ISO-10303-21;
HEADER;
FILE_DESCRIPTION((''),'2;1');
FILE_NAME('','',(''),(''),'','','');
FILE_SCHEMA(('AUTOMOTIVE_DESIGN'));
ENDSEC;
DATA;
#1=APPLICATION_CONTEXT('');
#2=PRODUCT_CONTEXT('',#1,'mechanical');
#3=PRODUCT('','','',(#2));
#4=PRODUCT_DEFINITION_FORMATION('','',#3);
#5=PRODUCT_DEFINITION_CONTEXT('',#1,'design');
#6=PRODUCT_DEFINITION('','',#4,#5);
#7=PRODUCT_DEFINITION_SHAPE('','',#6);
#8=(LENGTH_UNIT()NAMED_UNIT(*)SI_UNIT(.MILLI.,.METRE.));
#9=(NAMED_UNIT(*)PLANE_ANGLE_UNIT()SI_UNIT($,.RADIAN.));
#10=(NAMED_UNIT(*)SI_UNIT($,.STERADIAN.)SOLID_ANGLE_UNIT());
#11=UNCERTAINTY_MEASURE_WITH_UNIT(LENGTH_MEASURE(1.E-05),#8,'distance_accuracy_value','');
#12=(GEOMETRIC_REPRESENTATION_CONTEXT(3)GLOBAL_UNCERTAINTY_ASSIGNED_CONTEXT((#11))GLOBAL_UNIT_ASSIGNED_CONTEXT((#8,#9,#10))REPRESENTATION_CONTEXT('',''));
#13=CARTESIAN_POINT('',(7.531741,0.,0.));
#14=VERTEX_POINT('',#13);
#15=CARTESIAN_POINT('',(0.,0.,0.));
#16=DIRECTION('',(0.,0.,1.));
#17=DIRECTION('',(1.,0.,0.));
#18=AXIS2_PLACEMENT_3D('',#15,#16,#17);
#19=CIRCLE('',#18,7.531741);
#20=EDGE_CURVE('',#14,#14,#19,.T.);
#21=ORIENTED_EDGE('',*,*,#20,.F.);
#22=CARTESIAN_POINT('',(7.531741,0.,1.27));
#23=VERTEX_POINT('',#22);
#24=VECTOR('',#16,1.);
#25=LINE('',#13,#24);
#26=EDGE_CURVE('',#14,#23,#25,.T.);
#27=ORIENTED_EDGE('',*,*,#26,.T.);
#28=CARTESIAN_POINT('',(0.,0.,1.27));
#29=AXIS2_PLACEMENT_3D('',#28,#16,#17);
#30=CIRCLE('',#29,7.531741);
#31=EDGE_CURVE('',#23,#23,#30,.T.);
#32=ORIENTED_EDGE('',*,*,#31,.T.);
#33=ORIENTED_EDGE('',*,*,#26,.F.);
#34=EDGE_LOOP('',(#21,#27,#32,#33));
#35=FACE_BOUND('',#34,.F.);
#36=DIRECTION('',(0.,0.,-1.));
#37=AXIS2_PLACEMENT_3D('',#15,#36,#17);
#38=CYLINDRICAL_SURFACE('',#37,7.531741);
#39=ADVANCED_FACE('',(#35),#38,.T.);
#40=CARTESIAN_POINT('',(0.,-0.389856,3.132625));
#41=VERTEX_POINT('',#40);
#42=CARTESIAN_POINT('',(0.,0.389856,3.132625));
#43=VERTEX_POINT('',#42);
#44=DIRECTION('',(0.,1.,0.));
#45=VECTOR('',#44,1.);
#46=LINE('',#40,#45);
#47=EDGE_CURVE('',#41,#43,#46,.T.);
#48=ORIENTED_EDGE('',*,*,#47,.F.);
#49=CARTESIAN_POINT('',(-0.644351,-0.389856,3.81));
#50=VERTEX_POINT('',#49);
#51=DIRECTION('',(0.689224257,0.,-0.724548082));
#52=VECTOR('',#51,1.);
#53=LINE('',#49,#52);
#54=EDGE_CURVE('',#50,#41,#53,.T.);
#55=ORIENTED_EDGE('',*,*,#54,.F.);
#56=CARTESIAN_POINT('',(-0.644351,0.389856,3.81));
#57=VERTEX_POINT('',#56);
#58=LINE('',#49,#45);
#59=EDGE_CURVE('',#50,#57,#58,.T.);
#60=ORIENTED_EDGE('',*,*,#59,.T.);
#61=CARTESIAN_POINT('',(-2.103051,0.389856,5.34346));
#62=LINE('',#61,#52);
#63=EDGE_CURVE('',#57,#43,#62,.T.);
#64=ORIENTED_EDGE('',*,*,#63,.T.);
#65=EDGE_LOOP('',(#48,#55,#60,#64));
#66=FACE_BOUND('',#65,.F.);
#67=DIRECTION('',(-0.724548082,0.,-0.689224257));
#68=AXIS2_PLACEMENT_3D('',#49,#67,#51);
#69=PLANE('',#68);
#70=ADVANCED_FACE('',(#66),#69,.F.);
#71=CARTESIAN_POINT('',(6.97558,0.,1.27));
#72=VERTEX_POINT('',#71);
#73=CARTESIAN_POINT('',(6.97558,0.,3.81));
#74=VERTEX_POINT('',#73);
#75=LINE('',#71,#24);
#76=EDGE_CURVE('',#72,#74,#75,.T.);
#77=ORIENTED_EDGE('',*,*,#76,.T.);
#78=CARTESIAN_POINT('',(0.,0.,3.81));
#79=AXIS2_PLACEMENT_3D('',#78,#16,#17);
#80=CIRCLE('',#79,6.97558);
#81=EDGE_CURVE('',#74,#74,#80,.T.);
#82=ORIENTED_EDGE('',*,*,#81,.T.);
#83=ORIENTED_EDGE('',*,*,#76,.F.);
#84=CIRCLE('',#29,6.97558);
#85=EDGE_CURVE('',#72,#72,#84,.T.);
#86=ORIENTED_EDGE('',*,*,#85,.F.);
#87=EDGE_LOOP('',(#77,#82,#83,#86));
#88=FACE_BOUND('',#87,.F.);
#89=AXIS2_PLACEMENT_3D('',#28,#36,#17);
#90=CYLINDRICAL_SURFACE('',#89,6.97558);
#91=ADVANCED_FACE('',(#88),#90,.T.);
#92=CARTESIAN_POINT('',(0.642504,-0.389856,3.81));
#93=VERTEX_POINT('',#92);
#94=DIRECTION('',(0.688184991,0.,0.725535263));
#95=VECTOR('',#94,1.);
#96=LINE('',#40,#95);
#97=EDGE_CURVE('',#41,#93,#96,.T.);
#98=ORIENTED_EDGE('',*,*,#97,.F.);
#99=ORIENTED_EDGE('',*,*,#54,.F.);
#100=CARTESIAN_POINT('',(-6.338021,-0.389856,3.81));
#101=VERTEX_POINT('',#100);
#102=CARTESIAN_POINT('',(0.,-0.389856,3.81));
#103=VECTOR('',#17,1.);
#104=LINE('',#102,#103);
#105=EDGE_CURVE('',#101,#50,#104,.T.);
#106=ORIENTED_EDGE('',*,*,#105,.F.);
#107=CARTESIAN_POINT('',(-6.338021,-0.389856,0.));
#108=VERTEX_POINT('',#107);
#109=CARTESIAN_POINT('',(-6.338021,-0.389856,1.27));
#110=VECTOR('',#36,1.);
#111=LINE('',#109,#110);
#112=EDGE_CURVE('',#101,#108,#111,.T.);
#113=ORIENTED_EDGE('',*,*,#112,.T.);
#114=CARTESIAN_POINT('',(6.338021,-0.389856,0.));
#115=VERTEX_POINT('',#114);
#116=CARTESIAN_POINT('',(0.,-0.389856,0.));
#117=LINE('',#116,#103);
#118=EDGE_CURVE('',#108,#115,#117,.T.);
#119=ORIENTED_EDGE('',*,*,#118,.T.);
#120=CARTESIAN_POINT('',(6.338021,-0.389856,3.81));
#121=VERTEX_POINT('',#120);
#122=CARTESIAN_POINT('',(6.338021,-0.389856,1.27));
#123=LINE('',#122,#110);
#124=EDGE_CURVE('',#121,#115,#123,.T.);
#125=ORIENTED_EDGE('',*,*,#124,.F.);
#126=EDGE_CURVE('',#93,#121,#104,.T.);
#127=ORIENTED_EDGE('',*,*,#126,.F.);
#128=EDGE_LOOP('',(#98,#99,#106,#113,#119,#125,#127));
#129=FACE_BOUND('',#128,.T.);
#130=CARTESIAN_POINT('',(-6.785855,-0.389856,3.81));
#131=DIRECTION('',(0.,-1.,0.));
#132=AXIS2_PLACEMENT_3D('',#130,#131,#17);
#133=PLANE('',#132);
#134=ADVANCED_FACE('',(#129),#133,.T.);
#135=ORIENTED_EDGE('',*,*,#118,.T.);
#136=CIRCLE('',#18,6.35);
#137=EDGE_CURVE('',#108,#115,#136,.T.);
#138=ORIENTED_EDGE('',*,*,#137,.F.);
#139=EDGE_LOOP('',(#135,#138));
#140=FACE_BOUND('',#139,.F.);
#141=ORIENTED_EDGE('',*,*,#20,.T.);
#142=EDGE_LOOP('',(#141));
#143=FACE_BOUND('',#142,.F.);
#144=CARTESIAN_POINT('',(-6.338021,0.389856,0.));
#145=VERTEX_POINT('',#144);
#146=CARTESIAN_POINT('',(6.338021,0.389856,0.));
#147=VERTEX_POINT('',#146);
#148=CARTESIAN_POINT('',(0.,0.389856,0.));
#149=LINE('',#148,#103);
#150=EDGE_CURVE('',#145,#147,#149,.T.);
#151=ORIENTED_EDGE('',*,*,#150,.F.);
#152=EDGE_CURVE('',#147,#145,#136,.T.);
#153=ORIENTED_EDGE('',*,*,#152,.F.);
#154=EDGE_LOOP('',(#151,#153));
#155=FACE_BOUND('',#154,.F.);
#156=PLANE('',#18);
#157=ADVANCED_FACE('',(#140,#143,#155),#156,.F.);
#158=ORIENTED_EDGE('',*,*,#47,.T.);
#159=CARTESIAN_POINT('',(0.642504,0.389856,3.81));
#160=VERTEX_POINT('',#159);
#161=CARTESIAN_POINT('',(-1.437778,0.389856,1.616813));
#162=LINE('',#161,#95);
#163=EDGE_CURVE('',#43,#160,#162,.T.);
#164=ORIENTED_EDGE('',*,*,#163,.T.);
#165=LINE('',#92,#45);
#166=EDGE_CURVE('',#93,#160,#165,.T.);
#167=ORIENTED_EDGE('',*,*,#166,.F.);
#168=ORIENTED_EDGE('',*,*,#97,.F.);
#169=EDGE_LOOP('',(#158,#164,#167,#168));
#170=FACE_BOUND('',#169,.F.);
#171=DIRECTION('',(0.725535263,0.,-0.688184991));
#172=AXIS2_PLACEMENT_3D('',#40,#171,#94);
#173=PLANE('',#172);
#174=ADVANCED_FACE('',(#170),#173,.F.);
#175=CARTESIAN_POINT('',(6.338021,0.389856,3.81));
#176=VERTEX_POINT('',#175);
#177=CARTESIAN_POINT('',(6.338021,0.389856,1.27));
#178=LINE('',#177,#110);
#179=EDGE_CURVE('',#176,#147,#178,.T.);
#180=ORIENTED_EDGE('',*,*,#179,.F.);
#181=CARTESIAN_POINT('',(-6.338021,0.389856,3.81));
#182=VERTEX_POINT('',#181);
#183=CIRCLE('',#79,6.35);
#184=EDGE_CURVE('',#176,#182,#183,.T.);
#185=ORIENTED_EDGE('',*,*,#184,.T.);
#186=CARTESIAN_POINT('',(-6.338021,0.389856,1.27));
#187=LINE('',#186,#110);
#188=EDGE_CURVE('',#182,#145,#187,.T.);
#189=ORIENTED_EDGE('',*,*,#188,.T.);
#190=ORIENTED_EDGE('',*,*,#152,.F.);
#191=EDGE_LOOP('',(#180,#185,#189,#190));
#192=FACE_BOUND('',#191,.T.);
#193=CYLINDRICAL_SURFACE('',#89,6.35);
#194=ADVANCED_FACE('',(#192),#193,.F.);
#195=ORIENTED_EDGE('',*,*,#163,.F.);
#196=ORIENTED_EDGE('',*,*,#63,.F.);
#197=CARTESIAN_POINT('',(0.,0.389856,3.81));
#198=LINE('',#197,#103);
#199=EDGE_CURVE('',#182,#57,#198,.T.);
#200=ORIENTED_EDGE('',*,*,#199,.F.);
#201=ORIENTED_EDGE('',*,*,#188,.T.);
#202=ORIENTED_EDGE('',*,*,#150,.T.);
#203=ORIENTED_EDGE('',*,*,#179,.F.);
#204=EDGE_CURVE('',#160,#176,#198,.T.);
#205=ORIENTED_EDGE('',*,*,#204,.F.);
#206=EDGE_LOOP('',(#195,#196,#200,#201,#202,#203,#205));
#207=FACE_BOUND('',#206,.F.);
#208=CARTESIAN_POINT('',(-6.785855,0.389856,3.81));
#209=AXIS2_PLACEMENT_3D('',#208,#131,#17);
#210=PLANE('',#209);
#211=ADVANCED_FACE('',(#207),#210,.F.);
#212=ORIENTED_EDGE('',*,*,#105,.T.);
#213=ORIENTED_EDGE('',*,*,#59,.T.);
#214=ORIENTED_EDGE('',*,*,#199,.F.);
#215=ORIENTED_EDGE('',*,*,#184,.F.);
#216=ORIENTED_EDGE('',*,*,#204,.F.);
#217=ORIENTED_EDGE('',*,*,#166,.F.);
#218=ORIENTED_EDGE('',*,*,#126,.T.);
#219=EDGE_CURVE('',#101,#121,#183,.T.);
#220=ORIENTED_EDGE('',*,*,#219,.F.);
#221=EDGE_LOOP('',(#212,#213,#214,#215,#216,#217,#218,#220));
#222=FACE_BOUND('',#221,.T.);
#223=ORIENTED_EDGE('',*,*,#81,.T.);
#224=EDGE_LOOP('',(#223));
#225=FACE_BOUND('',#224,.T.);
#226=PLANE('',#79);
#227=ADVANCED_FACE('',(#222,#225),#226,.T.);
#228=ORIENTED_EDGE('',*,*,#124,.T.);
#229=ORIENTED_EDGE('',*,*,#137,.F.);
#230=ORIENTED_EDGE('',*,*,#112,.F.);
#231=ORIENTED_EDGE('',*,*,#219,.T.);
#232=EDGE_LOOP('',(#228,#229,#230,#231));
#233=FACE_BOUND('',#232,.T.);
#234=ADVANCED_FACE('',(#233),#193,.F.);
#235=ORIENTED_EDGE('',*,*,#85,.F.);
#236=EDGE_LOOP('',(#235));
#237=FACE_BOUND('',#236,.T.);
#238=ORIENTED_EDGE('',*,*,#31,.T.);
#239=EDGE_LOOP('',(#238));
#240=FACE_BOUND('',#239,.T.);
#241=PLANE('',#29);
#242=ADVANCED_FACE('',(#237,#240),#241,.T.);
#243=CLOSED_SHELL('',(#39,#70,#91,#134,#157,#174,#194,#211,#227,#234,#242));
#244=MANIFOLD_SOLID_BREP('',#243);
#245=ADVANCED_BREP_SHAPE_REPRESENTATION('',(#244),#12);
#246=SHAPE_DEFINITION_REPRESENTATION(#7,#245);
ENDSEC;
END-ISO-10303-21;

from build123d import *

# Parameters (mm, degrees)
F0_R     = 7.531741
F0_R_2   = 6.35
F1_DEPTH = 1.27
F2_R     = 6.97558
F2_R_2   = 6.35
F3_DEPTH = 2.54
F5_W     = 13.57171
F5_H     = 0.779712
F6_DEPTH = 3.81
F8_DEPTH = 2.54


with BuildPart() as f1:
    # F0 (on Top) → F1 (new body)
    with BuildSketch(Plane.XY):
        Circle(F0_R)
        Circle(F0_R_2, mode=Mode.SUBTRACT)
    extrude(amount=F1_DEPTH)

    # F2 (on face) → F3 (join)
    with BuildSketch(Plane.XY.offset(1.27)):
        Circle(F2_R)
        Circle(F2_R_2, mode=Mode.SUBTRACT)
    extrude(amount=F3_DEPTH)

    # F5 (on face) → F6 (join)
    with BuildSketch(Plane.XY.offset(3.81)):
        Rectangle(F5_W, F5_H)
    extrude(amount=-F6_DEPTH)

    # F7 (on face) → F8 (cut)
    with BuildSketch(Plane.XZ.offset(0.389856)):
        Polygon((0.642504, 3.81), (0, 3.81), (0, 3.132625), align=None)
        Polygon((0, 3.132625), (0, 3.81), (-0.644351, 3.81), align=None)
    extrude(amount=-F8_DEPTH, mode=Mode.SUBTRACT)


solid = f1.part
